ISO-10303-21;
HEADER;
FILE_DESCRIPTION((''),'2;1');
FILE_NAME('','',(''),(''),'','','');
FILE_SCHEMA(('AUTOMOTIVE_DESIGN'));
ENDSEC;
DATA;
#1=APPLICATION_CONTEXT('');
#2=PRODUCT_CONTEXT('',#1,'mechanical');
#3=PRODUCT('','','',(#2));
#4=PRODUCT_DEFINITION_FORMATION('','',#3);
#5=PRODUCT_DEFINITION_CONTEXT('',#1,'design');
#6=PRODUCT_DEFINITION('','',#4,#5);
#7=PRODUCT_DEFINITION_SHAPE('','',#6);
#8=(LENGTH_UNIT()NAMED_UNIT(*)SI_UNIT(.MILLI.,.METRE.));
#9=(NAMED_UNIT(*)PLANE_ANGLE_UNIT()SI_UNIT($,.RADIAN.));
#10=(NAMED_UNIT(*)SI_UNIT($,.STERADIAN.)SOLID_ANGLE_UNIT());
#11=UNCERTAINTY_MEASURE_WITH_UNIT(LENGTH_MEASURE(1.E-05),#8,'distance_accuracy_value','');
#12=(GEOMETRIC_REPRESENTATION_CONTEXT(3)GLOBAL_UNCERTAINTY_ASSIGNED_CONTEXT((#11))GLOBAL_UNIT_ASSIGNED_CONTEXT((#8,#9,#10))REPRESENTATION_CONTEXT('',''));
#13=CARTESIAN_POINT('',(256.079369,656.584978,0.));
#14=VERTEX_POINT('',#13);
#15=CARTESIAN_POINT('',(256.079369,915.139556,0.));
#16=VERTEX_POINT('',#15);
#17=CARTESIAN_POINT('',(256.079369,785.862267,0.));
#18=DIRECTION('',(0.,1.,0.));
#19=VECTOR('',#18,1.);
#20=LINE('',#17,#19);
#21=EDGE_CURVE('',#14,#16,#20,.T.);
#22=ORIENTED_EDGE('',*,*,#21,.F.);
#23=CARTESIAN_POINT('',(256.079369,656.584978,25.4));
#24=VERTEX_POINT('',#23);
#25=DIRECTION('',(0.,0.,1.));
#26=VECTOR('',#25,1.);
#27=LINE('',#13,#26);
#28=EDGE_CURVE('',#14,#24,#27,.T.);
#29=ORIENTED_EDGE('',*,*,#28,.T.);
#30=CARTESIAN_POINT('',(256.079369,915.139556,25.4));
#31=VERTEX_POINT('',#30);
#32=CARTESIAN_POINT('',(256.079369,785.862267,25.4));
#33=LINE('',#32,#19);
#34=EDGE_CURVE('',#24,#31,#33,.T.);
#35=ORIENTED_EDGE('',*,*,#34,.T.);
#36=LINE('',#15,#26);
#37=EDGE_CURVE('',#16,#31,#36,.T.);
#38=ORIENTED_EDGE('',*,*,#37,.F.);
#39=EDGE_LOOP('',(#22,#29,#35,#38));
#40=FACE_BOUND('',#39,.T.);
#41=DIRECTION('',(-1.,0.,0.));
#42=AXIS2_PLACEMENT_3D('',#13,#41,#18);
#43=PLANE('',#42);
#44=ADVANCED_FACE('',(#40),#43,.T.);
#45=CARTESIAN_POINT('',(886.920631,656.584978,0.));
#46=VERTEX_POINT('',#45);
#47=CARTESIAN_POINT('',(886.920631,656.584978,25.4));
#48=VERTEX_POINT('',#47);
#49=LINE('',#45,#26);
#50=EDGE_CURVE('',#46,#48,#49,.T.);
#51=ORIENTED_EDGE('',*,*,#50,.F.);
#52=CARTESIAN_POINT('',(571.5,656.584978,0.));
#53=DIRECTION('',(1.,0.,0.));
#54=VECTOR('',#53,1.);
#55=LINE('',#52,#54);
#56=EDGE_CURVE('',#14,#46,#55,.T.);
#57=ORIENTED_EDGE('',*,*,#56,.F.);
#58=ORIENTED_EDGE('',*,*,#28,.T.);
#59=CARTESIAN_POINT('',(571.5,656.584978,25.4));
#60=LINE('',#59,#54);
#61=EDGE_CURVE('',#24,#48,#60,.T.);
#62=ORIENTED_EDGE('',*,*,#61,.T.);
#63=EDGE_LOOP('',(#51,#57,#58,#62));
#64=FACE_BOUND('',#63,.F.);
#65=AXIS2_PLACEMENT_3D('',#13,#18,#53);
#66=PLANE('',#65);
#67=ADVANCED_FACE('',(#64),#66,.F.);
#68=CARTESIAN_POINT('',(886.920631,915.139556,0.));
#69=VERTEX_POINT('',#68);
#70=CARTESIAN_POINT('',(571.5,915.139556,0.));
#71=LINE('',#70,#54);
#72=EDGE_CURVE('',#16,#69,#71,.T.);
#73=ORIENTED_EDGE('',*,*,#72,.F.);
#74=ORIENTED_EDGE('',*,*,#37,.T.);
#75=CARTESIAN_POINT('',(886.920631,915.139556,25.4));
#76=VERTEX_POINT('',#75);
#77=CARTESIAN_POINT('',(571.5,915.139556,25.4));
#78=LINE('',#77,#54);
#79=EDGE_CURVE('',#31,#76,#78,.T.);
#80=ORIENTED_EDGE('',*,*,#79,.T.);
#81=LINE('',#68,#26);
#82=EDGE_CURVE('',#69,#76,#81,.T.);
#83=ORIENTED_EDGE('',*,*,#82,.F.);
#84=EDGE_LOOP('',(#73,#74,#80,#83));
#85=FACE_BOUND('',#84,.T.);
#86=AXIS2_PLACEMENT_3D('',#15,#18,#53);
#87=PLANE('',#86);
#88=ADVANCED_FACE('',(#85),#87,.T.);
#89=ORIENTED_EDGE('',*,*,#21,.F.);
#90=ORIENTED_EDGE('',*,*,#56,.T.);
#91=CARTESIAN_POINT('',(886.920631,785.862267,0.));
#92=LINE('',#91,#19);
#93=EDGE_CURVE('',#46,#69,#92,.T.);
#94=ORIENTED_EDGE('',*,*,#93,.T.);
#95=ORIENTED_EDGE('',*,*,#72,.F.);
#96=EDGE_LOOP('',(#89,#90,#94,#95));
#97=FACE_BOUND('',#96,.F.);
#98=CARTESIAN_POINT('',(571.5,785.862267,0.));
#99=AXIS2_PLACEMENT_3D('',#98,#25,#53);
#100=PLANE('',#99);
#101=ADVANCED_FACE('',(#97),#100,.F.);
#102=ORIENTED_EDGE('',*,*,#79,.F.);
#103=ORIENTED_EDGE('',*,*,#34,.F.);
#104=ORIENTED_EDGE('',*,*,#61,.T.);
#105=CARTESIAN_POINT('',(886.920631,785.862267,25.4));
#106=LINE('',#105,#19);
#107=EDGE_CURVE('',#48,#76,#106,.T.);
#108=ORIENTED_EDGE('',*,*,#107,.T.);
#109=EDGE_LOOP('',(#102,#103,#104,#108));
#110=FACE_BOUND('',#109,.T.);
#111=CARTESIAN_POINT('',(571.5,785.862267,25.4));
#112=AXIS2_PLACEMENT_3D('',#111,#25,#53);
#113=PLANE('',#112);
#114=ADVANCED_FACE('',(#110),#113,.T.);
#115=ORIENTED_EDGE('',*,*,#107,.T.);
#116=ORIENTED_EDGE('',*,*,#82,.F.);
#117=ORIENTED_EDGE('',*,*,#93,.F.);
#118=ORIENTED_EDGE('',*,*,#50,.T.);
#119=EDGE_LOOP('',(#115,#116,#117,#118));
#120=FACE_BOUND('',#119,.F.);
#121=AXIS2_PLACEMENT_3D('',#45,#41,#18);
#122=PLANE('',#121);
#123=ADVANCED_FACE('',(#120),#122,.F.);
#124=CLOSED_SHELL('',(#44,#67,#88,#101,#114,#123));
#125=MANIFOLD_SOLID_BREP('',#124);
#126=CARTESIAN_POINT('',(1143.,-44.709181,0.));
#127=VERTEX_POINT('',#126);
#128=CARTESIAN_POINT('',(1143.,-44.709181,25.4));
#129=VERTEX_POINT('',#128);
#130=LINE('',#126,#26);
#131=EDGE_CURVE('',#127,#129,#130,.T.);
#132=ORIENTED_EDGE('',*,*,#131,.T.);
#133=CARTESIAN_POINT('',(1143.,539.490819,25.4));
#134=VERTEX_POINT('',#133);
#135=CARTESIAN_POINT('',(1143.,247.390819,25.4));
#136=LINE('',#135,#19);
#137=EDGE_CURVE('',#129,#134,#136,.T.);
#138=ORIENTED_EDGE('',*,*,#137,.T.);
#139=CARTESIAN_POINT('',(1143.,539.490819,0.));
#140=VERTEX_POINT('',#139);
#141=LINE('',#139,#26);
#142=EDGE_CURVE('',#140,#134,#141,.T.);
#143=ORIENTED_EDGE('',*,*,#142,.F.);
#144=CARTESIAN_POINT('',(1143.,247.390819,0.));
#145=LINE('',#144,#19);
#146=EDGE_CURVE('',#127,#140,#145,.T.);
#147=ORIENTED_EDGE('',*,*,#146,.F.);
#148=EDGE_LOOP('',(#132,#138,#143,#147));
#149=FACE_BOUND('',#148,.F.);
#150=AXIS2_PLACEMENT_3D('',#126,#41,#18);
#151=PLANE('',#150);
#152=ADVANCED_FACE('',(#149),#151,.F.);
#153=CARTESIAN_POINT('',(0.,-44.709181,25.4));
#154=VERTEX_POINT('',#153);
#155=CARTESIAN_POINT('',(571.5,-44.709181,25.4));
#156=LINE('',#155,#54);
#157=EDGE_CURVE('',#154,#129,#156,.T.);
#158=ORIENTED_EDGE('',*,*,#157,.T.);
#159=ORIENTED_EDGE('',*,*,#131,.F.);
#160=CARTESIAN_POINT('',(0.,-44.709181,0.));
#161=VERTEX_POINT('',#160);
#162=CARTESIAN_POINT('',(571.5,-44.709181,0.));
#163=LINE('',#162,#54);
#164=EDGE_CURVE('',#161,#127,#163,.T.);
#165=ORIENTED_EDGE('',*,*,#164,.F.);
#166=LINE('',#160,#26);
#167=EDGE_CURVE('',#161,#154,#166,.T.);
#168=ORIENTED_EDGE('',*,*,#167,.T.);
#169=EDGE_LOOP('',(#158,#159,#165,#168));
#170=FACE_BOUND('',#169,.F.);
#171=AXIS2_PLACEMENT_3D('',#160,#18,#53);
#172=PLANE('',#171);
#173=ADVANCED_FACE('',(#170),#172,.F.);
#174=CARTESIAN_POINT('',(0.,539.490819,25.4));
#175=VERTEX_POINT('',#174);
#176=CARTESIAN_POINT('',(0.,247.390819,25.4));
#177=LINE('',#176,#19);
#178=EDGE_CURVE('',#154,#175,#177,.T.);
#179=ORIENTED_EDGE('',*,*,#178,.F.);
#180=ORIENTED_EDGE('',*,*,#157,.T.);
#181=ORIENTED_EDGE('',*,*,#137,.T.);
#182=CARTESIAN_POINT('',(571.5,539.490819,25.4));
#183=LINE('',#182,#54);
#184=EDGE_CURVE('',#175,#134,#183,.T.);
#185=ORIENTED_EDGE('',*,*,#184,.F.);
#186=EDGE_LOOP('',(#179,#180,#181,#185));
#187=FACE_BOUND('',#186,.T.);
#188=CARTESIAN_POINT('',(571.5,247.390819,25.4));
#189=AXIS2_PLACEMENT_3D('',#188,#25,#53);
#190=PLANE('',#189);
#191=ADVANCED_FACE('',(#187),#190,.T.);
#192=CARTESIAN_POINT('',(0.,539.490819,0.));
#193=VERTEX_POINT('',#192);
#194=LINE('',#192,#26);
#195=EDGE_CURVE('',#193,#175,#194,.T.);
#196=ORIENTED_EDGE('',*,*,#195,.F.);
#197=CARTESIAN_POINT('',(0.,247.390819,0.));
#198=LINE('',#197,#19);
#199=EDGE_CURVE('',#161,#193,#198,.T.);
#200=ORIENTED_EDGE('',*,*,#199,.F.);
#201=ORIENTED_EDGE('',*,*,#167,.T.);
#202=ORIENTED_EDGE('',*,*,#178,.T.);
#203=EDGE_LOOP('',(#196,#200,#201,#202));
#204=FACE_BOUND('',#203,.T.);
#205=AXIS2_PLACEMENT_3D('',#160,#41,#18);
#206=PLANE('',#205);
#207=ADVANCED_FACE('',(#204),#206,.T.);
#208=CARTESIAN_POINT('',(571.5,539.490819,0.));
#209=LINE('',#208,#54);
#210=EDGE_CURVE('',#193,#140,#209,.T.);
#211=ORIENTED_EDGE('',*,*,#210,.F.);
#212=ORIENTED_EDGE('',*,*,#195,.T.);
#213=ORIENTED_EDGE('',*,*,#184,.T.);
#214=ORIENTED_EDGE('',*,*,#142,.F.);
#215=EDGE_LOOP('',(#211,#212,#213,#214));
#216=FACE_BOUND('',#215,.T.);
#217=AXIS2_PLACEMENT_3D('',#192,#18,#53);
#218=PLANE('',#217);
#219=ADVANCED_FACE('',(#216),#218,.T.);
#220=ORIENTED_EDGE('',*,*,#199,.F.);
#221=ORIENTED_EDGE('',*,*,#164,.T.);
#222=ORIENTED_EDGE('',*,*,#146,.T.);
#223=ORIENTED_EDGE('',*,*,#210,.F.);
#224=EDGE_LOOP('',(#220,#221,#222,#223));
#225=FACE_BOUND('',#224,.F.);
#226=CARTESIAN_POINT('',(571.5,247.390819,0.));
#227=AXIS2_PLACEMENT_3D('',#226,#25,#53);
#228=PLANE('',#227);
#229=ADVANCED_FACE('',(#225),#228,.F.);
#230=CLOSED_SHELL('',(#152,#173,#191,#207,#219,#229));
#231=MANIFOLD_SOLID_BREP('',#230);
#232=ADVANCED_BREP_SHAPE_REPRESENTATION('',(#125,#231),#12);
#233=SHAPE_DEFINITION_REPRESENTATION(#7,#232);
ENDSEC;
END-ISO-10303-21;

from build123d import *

# Parameters (mm, degrees)
F0_W     = 1143
F0_H     = 584.2
F0_W_2   = 630.841262
F0_H_2   = 258.554578
F1_DEPTH = 25.4


with BuildPart() as f1:
    # F0 (on Top) → F1 (new body)
    with BuildSketch(Plane.XY):
        with Locations((571.5, 247.390819)):
            Rectangle(F0_W, F0_H)
        with Locations((571.5, 785.862267)):
            Rectangle(F0_W_2, F0_H_2)
    extrude(amount=F1_DEPTH)


solid = f1.part
